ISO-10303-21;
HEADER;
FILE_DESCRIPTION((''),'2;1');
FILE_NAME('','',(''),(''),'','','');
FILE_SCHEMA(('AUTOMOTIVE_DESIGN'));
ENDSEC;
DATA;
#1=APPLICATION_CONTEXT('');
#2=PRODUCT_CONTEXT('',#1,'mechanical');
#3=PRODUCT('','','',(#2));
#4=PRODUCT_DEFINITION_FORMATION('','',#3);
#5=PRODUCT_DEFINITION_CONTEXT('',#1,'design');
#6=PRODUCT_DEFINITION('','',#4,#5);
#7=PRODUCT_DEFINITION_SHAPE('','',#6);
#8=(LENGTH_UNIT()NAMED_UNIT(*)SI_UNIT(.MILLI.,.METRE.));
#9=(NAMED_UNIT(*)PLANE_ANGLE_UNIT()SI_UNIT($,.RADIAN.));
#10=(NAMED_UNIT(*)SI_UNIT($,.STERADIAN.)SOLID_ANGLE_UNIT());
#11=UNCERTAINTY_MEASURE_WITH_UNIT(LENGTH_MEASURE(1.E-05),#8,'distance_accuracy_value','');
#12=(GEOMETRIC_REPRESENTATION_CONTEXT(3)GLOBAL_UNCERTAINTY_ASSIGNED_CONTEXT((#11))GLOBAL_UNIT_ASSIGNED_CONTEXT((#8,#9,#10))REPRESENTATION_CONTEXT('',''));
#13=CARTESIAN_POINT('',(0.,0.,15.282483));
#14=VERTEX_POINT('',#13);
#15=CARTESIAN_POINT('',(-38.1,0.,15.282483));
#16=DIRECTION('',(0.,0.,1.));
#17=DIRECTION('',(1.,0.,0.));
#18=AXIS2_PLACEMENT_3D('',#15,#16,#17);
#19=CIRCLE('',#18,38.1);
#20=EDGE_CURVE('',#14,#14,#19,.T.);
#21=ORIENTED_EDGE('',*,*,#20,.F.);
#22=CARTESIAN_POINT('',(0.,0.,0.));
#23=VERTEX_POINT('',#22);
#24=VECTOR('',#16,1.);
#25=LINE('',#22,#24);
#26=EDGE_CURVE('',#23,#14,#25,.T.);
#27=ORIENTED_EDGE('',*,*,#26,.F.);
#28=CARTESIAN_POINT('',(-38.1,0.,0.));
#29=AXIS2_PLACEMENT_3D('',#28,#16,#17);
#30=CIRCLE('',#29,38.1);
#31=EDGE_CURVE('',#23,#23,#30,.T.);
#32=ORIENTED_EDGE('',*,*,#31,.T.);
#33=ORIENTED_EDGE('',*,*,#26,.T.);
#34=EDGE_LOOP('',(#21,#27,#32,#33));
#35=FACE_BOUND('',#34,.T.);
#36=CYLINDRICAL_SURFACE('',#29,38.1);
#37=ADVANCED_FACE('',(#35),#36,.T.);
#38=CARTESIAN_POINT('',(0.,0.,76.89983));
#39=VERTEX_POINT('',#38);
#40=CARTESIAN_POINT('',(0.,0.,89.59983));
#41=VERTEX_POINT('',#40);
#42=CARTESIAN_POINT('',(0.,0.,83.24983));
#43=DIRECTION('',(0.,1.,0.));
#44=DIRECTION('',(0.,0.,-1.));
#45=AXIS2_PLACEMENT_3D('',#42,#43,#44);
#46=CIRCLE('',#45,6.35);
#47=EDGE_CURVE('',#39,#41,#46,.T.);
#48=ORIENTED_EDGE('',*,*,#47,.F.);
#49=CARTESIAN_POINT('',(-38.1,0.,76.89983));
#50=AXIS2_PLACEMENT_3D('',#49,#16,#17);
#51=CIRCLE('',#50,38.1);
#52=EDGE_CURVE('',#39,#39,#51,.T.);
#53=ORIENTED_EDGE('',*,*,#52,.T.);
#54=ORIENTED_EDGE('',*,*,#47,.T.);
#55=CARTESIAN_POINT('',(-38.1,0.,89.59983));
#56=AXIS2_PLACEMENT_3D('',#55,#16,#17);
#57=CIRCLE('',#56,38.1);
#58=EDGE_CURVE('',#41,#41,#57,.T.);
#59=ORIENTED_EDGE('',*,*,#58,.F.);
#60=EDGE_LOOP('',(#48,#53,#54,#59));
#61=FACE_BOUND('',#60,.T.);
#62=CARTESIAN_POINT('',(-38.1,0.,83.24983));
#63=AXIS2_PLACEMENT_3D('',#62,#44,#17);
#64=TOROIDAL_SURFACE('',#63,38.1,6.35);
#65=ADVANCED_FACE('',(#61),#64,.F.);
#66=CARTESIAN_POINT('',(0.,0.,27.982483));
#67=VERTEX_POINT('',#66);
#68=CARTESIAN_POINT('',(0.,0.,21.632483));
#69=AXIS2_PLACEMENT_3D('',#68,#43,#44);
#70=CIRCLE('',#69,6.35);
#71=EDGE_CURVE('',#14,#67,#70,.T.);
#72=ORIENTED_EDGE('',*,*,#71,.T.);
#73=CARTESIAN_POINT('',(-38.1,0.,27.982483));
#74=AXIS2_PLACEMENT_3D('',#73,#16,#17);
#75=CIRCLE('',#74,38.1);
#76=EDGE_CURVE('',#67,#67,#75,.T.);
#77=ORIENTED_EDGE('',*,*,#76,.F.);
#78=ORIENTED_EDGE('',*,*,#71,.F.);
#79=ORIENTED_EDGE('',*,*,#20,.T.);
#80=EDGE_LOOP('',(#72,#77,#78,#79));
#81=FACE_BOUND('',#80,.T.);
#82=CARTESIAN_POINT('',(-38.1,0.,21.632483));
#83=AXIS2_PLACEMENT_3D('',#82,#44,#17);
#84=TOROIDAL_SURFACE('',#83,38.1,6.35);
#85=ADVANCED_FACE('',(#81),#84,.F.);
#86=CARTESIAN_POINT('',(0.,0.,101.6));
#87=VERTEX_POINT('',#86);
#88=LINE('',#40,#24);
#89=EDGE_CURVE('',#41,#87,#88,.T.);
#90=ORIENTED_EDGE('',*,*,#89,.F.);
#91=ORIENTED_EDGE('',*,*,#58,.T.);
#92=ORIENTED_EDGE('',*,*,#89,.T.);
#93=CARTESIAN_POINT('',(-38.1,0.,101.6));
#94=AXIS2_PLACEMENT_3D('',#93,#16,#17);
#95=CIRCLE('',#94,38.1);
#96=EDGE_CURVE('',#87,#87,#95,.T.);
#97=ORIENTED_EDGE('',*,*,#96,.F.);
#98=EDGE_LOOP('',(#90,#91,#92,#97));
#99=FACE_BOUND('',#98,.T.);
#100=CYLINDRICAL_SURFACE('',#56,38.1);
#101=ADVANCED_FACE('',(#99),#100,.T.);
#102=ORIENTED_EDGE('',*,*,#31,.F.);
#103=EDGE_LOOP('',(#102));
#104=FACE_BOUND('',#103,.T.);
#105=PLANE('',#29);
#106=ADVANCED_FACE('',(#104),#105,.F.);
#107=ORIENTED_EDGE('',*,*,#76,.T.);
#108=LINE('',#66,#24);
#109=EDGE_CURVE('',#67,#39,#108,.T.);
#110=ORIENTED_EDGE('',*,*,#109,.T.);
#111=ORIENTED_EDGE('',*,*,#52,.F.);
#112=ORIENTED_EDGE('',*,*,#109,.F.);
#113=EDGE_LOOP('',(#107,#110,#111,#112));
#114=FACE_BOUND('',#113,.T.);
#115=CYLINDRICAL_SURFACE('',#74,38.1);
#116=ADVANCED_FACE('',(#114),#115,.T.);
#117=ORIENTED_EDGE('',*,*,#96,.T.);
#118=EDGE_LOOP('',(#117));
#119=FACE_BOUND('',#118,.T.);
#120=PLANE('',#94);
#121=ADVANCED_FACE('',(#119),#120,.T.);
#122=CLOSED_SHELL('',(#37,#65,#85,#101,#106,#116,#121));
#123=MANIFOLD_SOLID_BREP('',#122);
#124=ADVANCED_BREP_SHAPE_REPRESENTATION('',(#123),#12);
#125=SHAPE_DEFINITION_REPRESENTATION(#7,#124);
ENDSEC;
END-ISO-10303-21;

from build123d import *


with BuildPart() as f1:
    # F0 (on Front) → F1 (revolve)
    with BuildSketch(Plane.XZ):
        with BuildLine():
            Line((-38.1, 0), (0, 0))
            Line((0, 0), (0, 15.282483))
            ThreePointArc((0, 15.282483), (-6.35, 21.632483), (0, 27.982483))
            Line((0, 27.982483), (0, 76.89983))
            ThreePointArc((0, 76.89983), (-6.35, 83.24983), (0, 89.59983))
            Line((0, 89.59983), (0, 101.6))
            Line((0, 101.6), (-38.1, 101.6))
            Line((-38.1, 101.6), (-38.1, 0))
        make_face()
    revolve(axis=Axis((-38.1, 0, 50.8), (0, 0, 1)))


solid = f1.part
